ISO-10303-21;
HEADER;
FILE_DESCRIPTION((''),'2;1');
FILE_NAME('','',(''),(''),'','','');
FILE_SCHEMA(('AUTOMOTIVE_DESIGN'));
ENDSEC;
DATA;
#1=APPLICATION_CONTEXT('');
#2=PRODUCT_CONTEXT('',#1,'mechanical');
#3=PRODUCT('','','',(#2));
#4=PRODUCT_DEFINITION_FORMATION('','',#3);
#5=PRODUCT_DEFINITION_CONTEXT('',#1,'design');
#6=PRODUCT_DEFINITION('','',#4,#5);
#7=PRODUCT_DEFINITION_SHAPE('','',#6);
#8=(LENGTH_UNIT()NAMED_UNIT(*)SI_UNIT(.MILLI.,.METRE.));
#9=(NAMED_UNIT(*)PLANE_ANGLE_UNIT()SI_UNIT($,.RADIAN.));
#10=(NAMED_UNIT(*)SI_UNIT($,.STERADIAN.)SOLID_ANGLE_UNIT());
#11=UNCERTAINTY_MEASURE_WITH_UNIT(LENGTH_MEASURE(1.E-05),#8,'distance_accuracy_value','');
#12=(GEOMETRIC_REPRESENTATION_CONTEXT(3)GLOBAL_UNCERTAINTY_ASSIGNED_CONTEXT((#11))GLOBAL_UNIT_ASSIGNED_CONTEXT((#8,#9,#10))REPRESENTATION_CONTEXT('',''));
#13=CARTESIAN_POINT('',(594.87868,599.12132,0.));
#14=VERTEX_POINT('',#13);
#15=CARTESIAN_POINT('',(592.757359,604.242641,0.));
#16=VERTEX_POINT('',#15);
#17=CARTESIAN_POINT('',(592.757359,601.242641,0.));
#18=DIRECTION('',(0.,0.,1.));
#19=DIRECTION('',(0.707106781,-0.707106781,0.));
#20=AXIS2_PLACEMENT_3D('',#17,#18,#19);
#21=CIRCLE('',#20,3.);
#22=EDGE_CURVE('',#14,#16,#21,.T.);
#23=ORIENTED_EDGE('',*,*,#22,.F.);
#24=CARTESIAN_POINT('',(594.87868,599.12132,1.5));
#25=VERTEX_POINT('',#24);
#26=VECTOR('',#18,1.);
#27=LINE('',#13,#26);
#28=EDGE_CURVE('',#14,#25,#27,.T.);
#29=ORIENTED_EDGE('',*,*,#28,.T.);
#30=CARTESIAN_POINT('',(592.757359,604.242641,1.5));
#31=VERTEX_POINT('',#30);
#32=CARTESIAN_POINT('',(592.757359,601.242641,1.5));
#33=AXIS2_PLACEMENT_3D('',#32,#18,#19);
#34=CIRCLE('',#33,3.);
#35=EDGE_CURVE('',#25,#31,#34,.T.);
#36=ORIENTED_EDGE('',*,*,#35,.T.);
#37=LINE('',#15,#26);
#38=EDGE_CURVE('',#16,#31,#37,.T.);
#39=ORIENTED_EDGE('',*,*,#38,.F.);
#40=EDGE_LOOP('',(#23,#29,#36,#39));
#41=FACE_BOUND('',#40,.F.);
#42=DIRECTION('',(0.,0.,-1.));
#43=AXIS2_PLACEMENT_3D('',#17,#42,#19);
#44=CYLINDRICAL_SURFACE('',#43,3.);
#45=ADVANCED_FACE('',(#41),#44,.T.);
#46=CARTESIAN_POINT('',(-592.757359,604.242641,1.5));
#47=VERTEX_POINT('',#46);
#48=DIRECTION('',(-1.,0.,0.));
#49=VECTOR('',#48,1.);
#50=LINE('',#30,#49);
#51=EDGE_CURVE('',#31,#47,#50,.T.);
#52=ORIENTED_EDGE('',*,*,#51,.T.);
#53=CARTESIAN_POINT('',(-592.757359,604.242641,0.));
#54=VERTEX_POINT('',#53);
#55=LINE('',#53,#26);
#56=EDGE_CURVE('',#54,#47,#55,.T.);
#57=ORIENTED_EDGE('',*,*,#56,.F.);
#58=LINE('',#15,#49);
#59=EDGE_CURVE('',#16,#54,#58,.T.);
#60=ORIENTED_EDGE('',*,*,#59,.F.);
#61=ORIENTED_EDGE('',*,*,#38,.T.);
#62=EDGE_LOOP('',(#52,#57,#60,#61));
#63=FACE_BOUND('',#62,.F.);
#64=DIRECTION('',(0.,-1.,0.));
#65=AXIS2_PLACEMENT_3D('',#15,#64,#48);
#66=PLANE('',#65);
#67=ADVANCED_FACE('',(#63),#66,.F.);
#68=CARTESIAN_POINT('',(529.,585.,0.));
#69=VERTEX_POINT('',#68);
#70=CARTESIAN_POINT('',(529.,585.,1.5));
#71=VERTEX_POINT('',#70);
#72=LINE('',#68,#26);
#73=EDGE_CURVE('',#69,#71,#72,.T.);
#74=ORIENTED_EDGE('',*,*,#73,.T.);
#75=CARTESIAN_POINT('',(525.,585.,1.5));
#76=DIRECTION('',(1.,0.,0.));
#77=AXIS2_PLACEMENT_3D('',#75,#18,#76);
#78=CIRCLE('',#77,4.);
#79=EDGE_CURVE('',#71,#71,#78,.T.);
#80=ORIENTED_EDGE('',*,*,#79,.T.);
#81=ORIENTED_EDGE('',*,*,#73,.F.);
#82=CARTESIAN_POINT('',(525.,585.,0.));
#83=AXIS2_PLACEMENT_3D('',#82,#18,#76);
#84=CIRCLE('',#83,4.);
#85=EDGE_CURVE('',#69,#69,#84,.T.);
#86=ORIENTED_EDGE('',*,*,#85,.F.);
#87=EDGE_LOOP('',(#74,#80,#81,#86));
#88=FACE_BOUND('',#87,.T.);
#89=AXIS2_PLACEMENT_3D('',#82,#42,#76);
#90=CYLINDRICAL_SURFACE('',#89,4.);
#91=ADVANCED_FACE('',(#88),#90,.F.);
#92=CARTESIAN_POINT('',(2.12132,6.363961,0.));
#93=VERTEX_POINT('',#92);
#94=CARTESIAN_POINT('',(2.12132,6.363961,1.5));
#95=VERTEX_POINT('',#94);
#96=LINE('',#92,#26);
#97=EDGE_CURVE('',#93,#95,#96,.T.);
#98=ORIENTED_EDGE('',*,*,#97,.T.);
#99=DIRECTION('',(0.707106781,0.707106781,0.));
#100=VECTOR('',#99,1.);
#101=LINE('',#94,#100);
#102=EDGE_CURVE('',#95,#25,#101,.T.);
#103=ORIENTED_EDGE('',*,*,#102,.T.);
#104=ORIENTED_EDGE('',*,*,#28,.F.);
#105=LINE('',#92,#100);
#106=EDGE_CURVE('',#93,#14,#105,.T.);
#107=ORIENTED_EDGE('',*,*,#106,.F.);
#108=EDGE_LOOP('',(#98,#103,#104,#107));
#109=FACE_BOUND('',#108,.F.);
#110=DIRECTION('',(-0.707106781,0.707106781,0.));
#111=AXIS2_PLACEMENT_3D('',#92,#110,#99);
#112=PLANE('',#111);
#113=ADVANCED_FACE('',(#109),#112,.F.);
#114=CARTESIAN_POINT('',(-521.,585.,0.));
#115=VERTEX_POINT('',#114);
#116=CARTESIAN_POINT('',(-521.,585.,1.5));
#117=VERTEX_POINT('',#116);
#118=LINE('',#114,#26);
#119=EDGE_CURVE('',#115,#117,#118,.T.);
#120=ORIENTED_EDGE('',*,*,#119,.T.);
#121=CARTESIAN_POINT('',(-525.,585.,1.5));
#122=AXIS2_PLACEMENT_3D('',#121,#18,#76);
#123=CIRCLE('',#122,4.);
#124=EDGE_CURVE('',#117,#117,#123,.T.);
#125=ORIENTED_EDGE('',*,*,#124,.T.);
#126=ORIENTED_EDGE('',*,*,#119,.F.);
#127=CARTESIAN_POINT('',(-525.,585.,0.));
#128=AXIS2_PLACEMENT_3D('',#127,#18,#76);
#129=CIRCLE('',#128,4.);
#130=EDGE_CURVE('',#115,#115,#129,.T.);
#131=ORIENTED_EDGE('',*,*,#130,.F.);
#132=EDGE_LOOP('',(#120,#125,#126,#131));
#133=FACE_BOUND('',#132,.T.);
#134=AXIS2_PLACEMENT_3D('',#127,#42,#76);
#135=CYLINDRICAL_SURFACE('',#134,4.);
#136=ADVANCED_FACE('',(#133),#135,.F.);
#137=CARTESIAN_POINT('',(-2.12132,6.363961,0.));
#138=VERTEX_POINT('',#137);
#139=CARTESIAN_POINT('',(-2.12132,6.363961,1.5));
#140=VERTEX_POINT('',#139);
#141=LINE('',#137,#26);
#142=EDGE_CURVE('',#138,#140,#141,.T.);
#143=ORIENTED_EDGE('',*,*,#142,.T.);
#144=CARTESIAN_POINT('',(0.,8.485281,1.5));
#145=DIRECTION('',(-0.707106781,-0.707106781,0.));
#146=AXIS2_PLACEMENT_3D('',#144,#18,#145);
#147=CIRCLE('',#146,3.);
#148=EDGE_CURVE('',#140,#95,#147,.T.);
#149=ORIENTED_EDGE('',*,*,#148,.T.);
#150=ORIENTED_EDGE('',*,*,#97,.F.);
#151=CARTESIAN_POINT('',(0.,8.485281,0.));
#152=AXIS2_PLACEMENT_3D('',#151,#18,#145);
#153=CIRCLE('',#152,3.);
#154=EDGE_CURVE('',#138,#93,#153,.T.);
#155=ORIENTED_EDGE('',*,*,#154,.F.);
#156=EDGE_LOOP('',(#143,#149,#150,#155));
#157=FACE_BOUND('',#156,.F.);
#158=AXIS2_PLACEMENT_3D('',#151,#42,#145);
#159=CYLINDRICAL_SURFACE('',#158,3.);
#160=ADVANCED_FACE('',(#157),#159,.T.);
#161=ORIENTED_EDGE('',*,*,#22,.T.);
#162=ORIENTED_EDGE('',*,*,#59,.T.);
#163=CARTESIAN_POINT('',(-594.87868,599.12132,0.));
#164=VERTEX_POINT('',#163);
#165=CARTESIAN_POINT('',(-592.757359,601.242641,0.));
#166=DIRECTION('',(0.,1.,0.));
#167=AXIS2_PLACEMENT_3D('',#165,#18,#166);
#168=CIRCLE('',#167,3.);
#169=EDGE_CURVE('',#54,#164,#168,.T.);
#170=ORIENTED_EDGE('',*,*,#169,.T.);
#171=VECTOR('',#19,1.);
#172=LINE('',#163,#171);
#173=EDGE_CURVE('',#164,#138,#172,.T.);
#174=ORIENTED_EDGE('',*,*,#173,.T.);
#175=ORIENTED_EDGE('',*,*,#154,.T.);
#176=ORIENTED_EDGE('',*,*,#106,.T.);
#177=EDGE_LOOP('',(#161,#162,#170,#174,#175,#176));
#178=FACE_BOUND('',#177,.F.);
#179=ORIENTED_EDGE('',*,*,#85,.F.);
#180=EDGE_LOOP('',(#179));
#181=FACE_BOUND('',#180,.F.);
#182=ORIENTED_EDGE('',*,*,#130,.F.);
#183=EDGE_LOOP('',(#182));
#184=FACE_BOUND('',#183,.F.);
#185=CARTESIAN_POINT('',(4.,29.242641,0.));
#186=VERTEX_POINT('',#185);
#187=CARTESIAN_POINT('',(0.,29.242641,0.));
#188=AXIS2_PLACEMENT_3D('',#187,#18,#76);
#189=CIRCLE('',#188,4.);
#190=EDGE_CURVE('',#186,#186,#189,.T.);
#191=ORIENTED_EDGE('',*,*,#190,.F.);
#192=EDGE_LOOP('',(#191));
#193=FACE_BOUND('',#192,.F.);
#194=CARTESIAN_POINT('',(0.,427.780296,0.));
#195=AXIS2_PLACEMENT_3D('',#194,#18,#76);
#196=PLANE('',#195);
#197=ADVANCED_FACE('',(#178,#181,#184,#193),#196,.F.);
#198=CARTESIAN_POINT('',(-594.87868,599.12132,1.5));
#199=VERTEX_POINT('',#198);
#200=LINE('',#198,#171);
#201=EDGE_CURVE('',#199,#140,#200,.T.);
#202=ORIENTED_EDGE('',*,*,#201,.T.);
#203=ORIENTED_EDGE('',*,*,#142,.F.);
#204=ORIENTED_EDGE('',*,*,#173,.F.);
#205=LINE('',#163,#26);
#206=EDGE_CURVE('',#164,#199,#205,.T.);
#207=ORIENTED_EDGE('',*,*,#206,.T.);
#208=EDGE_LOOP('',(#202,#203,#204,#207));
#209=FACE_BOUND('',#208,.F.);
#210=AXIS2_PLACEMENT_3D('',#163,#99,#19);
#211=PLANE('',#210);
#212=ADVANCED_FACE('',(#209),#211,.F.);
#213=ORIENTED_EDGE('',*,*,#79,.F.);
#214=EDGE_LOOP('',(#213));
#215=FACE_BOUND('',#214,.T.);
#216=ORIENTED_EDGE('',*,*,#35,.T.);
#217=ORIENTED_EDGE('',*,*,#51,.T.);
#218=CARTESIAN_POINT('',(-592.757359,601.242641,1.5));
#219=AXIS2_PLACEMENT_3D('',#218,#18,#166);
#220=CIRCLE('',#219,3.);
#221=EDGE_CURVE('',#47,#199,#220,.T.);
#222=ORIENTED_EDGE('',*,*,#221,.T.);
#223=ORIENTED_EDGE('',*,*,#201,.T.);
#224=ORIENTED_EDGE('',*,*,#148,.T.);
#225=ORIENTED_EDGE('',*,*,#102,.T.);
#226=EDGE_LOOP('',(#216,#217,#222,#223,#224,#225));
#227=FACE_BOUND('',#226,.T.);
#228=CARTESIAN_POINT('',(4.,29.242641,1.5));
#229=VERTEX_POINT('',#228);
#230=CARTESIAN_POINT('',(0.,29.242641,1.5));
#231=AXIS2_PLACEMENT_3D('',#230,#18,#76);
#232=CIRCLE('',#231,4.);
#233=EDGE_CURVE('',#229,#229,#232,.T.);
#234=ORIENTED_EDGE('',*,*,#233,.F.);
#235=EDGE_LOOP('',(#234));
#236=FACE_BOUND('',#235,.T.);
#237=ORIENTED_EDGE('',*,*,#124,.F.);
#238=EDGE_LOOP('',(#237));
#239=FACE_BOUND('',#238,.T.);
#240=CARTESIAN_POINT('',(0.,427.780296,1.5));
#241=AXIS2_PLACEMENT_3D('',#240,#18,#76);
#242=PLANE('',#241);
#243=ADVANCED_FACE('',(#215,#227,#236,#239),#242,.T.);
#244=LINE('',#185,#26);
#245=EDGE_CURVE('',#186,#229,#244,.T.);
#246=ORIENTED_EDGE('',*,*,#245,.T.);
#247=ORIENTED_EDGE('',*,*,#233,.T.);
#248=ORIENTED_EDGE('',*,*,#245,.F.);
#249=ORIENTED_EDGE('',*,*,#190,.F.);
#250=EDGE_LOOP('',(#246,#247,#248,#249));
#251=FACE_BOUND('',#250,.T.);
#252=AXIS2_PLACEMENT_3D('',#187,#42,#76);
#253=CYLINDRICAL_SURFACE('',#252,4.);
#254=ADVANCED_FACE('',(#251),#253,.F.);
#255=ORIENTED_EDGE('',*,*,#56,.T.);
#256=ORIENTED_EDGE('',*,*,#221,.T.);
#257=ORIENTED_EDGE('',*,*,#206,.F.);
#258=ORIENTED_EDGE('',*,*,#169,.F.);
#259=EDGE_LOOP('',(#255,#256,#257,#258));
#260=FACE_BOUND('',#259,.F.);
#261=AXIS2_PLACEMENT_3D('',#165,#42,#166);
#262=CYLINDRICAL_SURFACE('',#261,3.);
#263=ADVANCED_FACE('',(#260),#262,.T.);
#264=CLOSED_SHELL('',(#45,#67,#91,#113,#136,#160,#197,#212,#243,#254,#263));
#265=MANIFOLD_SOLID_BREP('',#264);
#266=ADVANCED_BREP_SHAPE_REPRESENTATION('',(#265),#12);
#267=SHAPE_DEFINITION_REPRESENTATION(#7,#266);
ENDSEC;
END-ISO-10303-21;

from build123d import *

# Parameters (mm, degrees)
SKETCH1_R           = 4
BOSS_EXTRUDE1_DEPTH = 1.5


with BuildPart() as part:
    # Sketch1 → Boss-Extrude1 (new body)
    with BuildSketch(Plane.XY):
        with BuildLine():
            Line((2.121320344, 6.363961031), (594.878679656, 599.121320344))
            ThreePointArc((594.878679656, 599.121320344), (595.52899791, 602.390690984), (592.757359313, 604.242640687))
            Line((592.757359313, 604.242640687), (-592.757359313, 604.242640687))
            ThreePointArc((-592.757359313, 604.242640687), (-595.52899791, 602.390690984), (-594.878679656, 599.121320344))
            Line((-594.878679656, 599.121320344), (-2.121320344, 6.363961031))
            ThreePointArc((-2.121320344, 6.363961031), (0, 5.485281374), (2.121320344, 6.363961031))
        make_face()
        with Locations((-525, 585)):
            Circle(SKETCH1_R, mode=Mode.SUBTRACT)
        with Locations((525, 585)):
            Circle(SKETCH1_R, mode=Mode.SUBTRACT)
        with Locations((0, 29.242640687)):
            Circle(SKETCH1_R, mode=Mode.SUBTRACT)
    extrude(amount=BOSS_EXTRUDE1_DEPTH)


solid = part.part
